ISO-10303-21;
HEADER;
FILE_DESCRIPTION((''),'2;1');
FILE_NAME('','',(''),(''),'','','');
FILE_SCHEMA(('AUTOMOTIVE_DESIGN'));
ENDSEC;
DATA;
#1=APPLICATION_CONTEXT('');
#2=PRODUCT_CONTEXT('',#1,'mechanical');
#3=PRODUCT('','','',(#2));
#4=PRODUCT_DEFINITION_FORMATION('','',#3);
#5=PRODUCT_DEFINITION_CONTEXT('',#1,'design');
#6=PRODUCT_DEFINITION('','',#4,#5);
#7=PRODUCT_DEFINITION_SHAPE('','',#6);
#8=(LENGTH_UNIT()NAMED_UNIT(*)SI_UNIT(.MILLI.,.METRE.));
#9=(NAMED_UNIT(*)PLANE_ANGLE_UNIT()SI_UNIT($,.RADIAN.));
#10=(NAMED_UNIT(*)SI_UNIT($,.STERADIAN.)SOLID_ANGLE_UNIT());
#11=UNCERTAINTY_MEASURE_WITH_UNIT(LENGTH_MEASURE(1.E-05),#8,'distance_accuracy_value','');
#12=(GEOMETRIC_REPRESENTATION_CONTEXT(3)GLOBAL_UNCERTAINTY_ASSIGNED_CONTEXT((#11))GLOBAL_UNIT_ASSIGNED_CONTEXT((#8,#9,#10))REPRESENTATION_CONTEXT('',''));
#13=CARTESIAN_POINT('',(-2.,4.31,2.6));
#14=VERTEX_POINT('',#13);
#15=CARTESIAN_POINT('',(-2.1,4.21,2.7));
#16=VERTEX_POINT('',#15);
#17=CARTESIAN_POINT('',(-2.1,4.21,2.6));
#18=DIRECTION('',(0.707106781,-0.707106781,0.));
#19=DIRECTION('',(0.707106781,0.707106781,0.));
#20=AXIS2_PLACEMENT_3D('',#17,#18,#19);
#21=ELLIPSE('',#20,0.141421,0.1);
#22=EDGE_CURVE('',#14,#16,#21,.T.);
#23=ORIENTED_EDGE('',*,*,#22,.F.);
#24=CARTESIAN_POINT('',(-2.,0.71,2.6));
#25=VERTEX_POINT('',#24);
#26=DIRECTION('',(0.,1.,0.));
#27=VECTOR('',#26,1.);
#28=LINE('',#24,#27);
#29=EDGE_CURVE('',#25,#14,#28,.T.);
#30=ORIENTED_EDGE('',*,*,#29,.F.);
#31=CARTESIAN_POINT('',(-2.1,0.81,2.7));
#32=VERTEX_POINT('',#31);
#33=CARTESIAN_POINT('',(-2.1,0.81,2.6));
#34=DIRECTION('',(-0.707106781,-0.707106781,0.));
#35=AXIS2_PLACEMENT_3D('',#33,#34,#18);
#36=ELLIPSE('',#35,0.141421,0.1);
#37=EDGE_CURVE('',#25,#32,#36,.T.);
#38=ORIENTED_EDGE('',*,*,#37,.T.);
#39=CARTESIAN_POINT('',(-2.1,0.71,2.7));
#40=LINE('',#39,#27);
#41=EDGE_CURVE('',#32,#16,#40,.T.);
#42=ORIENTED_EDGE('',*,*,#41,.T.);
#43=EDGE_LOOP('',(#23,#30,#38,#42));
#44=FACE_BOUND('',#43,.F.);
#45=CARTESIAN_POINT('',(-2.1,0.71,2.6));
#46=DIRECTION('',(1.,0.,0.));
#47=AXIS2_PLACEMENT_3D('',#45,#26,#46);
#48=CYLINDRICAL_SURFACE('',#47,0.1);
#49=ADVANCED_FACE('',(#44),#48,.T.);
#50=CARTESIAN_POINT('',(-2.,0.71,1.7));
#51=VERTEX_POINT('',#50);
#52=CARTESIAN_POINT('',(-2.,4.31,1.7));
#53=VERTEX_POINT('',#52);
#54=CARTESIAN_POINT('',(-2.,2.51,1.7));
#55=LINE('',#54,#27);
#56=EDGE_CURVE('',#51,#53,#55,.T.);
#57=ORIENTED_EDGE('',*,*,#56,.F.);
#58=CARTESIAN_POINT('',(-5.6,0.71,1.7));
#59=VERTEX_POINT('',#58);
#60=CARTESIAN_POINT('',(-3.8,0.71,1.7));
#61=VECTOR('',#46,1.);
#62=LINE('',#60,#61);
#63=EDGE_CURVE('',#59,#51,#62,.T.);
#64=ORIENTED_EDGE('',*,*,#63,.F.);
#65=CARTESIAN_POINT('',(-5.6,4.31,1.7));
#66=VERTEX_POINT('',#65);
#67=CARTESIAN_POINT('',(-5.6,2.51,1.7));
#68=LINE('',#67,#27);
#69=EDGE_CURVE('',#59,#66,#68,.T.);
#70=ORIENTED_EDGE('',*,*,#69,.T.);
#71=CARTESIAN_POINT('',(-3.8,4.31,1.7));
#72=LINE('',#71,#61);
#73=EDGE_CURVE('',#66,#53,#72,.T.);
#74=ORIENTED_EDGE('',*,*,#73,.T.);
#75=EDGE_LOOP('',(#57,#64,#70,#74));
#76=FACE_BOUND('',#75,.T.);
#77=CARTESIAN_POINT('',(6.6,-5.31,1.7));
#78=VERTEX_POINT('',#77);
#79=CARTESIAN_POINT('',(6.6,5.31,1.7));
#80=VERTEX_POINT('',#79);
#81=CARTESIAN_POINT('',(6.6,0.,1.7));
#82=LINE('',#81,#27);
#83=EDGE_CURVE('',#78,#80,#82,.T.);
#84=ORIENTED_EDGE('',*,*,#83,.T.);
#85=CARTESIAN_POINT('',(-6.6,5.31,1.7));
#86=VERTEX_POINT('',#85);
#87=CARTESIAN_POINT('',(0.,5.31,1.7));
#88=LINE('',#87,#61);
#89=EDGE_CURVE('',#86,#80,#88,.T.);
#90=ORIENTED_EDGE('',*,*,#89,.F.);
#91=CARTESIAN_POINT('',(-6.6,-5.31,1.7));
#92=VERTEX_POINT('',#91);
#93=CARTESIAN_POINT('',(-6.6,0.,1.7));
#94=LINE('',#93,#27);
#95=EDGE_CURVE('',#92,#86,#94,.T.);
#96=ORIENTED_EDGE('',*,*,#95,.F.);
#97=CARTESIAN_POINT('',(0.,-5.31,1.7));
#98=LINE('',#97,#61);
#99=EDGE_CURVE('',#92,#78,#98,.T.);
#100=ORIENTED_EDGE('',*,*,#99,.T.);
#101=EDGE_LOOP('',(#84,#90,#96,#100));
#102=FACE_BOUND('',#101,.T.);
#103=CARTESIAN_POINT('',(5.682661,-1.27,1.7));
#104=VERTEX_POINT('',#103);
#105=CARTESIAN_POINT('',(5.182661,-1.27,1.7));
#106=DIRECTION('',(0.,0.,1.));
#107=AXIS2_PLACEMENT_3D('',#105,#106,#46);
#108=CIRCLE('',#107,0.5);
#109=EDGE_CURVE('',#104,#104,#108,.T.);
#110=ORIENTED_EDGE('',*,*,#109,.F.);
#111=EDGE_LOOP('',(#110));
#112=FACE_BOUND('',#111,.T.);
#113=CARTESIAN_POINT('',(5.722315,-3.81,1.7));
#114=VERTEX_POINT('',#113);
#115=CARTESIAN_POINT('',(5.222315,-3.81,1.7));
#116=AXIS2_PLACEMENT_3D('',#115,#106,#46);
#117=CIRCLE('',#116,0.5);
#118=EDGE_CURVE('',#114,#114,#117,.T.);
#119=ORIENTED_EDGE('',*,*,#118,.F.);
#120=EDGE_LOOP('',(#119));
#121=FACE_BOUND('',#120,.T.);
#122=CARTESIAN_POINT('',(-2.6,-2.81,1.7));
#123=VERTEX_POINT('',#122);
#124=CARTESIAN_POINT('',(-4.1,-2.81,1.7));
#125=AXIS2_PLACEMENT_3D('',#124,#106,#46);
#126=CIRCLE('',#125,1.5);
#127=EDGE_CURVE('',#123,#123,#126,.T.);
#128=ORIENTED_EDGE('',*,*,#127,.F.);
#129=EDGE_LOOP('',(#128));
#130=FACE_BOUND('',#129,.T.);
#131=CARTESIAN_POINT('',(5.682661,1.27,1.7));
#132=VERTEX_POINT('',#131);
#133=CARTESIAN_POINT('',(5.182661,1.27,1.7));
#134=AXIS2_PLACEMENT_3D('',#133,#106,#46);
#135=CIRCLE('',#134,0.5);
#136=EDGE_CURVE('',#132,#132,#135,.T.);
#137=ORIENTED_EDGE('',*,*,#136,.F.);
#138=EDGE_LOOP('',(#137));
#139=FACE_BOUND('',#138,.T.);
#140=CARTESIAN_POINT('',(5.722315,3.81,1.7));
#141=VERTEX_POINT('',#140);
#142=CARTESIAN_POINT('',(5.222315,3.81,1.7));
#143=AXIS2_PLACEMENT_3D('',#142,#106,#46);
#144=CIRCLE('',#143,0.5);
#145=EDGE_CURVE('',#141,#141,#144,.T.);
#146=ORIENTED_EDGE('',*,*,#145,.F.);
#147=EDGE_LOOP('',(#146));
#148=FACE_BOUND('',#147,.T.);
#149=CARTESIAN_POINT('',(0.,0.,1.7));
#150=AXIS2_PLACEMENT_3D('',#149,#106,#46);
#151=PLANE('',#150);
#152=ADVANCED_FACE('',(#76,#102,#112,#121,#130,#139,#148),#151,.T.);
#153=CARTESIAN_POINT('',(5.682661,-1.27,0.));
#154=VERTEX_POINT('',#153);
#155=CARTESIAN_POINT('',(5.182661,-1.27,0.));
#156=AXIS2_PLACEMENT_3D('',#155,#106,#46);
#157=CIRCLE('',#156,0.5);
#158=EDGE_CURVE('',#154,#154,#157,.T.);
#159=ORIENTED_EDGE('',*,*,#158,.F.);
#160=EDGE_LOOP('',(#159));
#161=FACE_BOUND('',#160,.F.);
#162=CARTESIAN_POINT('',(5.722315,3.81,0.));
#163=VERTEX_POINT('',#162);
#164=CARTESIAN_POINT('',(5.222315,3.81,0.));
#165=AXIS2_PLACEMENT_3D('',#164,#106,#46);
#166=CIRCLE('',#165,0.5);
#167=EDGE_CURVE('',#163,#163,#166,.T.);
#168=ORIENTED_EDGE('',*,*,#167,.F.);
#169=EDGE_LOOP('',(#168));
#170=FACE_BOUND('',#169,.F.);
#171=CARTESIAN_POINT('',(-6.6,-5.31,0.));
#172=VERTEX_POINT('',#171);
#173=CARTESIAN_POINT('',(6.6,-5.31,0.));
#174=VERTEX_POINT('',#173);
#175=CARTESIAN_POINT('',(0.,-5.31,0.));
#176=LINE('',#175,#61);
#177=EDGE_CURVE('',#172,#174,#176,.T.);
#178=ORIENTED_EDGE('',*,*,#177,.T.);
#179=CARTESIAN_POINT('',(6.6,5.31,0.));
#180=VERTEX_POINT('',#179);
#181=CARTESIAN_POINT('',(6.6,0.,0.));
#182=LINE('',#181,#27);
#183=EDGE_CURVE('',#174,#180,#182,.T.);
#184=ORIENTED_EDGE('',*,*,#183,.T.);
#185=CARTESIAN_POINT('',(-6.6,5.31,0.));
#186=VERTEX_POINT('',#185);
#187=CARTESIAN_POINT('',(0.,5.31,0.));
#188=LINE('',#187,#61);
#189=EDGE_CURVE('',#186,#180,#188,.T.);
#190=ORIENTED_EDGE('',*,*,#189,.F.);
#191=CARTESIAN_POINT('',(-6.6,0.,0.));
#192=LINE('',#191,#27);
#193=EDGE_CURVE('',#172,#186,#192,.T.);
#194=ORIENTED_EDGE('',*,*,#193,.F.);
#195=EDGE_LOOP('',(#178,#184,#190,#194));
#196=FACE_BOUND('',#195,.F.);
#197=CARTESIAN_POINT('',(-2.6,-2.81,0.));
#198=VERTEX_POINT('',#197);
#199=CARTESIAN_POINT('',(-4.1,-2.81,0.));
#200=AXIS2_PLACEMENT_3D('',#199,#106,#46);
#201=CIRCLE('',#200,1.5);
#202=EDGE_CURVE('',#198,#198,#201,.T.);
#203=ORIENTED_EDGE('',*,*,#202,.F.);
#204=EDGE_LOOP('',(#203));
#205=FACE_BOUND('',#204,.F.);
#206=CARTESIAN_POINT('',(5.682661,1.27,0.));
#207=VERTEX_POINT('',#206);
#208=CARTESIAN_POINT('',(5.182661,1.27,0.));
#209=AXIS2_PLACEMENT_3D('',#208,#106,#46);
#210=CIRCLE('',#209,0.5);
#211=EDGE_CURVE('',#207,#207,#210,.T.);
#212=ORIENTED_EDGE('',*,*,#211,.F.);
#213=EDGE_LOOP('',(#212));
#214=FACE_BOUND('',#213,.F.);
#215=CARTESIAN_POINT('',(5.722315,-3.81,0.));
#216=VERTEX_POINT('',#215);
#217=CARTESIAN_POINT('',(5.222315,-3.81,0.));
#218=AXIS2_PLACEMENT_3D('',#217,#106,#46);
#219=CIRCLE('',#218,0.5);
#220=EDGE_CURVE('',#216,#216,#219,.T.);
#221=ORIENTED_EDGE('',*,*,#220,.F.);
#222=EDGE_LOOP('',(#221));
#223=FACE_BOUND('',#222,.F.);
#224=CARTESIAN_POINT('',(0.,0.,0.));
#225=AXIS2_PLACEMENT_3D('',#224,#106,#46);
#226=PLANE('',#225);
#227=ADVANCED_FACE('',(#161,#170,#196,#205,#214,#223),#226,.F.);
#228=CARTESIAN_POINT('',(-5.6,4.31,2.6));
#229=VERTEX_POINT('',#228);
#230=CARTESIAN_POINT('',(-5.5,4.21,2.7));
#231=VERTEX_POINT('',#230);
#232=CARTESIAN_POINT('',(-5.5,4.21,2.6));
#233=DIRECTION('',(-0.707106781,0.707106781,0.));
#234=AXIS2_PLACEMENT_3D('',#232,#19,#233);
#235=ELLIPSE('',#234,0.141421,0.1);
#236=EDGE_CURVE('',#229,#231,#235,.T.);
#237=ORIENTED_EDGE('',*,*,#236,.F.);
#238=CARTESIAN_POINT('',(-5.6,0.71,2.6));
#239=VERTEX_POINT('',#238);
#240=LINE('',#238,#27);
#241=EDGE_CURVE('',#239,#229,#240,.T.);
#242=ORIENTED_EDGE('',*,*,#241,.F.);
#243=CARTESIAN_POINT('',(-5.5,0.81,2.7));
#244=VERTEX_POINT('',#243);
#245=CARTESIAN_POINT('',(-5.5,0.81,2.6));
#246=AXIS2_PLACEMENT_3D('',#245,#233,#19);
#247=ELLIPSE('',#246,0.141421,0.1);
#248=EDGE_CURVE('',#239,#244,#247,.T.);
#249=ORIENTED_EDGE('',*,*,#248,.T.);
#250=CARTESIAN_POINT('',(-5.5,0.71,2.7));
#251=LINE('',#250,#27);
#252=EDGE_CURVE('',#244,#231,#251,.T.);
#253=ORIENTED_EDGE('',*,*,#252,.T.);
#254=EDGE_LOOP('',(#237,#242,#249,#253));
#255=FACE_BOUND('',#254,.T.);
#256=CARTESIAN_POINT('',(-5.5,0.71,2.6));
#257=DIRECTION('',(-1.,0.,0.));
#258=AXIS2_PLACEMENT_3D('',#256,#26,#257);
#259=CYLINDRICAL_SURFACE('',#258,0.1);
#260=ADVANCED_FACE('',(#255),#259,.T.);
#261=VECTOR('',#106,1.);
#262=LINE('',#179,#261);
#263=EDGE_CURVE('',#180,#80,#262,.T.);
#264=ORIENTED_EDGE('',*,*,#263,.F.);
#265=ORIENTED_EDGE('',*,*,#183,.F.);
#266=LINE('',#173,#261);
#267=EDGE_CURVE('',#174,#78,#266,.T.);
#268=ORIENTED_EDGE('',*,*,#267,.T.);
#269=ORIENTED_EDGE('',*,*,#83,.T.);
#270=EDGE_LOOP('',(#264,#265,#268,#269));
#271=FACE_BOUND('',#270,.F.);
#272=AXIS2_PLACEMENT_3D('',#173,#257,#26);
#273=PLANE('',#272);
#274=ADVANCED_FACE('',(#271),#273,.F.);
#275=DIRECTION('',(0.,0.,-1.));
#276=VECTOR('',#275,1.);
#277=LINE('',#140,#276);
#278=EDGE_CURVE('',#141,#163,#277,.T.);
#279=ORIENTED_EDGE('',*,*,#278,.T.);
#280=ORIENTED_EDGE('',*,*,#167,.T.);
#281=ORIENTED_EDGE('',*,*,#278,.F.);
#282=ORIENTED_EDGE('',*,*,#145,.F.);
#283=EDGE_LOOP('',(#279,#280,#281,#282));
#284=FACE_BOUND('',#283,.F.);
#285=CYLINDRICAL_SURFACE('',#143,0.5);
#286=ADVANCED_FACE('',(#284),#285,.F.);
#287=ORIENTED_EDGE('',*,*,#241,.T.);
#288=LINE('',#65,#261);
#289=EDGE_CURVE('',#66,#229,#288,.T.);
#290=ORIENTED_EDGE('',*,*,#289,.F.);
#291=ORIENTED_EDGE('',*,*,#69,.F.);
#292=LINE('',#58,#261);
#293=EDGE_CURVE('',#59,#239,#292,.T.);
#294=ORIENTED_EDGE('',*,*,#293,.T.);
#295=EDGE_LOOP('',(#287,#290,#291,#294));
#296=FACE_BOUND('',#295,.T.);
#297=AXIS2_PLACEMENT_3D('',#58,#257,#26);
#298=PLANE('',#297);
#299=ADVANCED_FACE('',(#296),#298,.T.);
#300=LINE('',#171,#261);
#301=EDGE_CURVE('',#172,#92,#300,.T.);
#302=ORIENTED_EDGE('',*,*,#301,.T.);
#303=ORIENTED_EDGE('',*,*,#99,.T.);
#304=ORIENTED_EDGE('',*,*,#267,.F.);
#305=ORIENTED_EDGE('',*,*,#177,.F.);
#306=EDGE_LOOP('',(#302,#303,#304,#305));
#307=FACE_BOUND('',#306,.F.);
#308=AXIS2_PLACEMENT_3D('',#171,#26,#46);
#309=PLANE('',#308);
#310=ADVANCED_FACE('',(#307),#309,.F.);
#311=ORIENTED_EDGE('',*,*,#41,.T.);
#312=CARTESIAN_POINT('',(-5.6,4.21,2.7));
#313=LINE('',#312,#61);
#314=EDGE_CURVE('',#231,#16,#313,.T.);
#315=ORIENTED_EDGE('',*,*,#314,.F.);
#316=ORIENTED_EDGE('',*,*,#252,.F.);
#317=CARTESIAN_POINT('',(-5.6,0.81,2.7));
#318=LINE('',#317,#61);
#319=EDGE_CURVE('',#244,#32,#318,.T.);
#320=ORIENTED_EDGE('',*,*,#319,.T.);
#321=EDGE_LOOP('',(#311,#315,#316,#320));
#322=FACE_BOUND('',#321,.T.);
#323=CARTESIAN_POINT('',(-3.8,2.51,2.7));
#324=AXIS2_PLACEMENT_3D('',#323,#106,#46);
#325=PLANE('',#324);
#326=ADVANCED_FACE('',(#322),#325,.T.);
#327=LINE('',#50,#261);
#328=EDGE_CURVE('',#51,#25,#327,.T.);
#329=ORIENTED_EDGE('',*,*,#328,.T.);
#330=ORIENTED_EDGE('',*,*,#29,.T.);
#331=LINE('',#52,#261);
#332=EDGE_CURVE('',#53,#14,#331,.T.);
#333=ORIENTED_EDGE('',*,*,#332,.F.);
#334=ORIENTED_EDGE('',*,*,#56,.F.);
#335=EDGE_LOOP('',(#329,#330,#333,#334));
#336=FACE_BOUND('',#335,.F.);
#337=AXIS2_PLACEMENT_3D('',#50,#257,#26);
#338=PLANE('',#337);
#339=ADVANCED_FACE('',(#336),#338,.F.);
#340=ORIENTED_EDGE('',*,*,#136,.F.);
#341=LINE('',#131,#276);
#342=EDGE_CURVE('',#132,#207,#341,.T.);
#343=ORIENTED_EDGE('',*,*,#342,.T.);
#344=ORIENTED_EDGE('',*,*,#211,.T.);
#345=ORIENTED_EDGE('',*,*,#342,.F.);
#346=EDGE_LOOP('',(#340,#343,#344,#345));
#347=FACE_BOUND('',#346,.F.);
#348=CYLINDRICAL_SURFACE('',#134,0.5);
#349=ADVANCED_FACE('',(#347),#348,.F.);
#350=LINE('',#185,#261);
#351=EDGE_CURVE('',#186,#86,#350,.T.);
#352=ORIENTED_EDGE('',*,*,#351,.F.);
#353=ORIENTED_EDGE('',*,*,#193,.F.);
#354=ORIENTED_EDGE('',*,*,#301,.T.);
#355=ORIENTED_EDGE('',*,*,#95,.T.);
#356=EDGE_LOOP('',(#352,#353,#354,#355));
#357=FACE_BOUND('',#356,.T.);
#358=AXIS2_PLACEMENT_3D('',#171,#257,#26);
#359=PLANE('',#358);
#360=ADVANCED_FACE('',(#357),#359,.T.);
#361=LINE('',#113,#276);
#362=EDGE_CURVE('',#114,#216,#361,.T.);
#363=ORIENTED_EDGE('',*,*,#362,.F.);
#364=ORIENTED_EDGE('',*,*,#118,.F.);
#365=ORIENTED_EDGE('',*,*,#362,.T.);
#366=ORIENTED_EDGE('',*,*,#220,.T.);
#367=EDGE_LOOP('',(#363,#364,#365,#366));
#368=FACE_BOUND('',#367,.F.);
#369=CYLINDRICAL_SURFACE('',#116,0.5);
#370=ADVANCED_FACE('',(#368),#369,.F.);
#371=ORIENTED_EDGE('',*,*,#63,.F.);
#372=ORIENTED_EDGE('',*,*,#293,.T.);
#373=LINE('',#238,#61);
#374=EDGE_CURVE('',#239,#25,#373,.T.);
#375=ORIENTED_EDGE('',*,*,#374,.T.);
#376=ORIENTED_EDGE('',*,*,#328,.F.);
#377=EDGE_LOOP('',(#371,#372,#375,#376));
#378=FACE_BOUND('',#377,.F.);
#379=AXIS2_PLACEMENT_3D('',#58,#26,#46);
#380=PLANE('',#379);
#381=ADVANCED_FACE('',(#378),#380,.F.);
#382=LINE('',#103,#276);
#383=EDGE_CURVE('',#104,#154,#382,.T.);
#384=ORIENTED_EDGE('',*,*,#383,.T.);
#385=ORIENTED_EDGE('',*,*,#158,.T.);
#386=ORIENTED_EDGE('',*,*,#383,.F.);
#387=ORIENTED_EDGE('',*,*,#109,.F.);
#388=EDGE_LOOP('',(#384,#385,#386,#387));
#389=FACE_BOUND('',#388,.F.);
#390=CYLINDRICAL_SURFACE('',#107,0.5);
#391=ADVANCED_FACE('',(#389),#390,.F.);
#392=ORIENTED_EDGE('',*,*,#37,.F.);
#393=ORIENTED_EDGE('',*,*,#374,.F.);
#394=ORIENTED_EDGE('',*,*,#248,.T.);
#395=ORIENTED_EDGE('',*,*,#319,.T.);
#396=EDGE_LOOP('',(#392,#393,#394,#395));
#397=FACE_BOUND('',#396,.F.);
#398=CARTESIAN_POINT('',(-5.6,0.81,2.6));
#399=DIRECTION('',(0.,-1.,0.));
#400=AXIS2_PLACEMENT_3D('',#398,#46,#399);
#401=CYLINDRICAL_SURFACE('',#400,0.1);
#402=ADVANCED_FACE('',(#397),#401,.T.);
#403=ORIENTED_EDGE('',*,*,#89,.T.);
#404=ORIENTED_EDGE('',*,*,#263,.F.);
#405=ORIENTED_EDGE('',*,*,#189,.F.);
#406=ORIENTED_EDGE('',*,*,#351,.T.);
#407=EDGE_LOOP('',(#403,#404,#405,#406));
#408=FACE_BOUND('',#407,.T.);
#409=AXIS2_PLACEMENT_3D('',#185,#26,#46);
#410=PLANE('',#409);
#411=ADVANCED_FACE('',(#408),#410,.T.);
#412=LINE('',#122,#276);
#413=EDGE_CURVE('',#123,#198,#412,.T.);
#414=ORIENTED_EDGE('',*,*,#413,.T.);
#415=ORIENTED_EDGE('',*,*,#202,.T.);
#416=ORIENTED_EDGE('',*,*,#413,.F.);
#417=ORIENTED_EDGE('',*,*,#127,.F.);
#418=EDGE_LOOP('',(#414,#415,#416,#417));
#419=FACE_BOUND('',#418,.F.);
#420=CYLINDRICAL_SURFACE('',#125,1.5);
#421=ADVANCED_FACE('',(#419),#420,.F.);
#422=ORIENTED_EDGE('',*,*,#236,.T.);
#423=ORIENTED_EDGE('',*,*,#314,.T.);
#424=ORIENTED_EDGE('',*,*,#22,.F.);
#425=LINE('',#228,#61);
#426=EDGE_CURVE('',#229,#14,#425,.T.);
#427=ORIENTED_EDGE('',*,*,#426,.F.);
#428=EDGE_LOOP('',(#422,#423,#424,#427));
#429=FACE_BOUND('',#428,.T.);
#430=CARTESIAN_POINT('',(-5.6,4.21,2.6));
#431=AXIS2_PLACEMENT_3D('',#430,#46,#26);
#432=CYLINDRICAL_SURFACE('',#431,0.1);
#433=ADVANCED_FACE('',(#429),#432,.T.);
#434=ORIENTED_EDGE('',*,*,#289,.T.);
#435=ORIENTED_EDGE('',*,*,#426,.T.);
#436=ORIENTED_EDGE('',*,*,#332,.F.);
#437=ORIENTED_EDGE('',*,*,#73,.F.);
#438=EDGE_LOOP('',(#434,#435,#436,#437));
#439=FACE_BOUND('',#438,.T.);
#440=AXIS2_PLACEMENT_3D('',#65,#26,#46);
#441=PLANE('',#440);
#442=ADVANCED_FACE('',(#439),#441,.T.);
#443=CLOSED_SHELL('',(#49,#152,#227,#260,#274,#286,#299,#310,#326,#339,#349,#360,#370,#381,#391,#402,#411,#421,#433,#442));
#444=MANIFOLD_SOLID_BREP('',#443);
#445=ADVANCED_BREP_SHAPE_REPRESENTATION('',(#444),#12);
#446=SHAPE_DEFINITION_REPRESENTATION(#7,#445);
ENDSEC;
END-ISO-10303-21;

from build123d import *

# Parameters (mm, degrees)
F0_W     = 13.2
F0_H     = 10.62
F1_DEPTH = 1.7
F2_R     = 0.5
F2_R_2   = 1.5
F3_DEPTH = 1.701
F4_W     = 3.6
F4_H     = 3.6
F5_DEPTH = 1
F6_R     = 0.1


with BuildPart() as f1:
    # F0 (on Top) → F1 (new body)
    with BuildSketch(Plane.XY):
        Rectangle(F0_W, F0_H)
    extrude(amount=F1_DEPTH)

    # F2 (on face) → F3 (cut, through all)
    with BuildSketch(Plane.XY.offset(1.7)):
        with Locations((5.222315, 3.81)):
            Circle(F2_R)
        with Locations((5.182661, 1.27)):
            Circle(F2_R)
        with Locations((5.182661, -1.27)):
            Circle(F2_R)
        with Locations((5.222315, -3.81)):
            Circle(F2_R)
        with Locations((-4.1, -2.81)):
            Circle(F2_R_2)
    extrude(amount=-F3_DEPTH, mode=Mode.SUBTRACT)

    # F4 (on face) → F5 (join)
    with BuildSketch(Plane.XY.offset(1.7)):
        with Locations((-3.8, 2.51)):
            Rectangle(F4_W, F4_H)
    extrude(amount=F5_DEPTH)

    # F6
    f6_edges = [f1.edges().sort_by_distance(p)[0] for p in [
        (-3.8, 0.71, 2.7),
        (-2, 2.51, 2.7),
        (-5.6, 2.51, 2.7),
        (-3.8, 4.31, 2.7),
    ]]
    fillet(f6_edges, radius=F6_R)


solid = f1.part
